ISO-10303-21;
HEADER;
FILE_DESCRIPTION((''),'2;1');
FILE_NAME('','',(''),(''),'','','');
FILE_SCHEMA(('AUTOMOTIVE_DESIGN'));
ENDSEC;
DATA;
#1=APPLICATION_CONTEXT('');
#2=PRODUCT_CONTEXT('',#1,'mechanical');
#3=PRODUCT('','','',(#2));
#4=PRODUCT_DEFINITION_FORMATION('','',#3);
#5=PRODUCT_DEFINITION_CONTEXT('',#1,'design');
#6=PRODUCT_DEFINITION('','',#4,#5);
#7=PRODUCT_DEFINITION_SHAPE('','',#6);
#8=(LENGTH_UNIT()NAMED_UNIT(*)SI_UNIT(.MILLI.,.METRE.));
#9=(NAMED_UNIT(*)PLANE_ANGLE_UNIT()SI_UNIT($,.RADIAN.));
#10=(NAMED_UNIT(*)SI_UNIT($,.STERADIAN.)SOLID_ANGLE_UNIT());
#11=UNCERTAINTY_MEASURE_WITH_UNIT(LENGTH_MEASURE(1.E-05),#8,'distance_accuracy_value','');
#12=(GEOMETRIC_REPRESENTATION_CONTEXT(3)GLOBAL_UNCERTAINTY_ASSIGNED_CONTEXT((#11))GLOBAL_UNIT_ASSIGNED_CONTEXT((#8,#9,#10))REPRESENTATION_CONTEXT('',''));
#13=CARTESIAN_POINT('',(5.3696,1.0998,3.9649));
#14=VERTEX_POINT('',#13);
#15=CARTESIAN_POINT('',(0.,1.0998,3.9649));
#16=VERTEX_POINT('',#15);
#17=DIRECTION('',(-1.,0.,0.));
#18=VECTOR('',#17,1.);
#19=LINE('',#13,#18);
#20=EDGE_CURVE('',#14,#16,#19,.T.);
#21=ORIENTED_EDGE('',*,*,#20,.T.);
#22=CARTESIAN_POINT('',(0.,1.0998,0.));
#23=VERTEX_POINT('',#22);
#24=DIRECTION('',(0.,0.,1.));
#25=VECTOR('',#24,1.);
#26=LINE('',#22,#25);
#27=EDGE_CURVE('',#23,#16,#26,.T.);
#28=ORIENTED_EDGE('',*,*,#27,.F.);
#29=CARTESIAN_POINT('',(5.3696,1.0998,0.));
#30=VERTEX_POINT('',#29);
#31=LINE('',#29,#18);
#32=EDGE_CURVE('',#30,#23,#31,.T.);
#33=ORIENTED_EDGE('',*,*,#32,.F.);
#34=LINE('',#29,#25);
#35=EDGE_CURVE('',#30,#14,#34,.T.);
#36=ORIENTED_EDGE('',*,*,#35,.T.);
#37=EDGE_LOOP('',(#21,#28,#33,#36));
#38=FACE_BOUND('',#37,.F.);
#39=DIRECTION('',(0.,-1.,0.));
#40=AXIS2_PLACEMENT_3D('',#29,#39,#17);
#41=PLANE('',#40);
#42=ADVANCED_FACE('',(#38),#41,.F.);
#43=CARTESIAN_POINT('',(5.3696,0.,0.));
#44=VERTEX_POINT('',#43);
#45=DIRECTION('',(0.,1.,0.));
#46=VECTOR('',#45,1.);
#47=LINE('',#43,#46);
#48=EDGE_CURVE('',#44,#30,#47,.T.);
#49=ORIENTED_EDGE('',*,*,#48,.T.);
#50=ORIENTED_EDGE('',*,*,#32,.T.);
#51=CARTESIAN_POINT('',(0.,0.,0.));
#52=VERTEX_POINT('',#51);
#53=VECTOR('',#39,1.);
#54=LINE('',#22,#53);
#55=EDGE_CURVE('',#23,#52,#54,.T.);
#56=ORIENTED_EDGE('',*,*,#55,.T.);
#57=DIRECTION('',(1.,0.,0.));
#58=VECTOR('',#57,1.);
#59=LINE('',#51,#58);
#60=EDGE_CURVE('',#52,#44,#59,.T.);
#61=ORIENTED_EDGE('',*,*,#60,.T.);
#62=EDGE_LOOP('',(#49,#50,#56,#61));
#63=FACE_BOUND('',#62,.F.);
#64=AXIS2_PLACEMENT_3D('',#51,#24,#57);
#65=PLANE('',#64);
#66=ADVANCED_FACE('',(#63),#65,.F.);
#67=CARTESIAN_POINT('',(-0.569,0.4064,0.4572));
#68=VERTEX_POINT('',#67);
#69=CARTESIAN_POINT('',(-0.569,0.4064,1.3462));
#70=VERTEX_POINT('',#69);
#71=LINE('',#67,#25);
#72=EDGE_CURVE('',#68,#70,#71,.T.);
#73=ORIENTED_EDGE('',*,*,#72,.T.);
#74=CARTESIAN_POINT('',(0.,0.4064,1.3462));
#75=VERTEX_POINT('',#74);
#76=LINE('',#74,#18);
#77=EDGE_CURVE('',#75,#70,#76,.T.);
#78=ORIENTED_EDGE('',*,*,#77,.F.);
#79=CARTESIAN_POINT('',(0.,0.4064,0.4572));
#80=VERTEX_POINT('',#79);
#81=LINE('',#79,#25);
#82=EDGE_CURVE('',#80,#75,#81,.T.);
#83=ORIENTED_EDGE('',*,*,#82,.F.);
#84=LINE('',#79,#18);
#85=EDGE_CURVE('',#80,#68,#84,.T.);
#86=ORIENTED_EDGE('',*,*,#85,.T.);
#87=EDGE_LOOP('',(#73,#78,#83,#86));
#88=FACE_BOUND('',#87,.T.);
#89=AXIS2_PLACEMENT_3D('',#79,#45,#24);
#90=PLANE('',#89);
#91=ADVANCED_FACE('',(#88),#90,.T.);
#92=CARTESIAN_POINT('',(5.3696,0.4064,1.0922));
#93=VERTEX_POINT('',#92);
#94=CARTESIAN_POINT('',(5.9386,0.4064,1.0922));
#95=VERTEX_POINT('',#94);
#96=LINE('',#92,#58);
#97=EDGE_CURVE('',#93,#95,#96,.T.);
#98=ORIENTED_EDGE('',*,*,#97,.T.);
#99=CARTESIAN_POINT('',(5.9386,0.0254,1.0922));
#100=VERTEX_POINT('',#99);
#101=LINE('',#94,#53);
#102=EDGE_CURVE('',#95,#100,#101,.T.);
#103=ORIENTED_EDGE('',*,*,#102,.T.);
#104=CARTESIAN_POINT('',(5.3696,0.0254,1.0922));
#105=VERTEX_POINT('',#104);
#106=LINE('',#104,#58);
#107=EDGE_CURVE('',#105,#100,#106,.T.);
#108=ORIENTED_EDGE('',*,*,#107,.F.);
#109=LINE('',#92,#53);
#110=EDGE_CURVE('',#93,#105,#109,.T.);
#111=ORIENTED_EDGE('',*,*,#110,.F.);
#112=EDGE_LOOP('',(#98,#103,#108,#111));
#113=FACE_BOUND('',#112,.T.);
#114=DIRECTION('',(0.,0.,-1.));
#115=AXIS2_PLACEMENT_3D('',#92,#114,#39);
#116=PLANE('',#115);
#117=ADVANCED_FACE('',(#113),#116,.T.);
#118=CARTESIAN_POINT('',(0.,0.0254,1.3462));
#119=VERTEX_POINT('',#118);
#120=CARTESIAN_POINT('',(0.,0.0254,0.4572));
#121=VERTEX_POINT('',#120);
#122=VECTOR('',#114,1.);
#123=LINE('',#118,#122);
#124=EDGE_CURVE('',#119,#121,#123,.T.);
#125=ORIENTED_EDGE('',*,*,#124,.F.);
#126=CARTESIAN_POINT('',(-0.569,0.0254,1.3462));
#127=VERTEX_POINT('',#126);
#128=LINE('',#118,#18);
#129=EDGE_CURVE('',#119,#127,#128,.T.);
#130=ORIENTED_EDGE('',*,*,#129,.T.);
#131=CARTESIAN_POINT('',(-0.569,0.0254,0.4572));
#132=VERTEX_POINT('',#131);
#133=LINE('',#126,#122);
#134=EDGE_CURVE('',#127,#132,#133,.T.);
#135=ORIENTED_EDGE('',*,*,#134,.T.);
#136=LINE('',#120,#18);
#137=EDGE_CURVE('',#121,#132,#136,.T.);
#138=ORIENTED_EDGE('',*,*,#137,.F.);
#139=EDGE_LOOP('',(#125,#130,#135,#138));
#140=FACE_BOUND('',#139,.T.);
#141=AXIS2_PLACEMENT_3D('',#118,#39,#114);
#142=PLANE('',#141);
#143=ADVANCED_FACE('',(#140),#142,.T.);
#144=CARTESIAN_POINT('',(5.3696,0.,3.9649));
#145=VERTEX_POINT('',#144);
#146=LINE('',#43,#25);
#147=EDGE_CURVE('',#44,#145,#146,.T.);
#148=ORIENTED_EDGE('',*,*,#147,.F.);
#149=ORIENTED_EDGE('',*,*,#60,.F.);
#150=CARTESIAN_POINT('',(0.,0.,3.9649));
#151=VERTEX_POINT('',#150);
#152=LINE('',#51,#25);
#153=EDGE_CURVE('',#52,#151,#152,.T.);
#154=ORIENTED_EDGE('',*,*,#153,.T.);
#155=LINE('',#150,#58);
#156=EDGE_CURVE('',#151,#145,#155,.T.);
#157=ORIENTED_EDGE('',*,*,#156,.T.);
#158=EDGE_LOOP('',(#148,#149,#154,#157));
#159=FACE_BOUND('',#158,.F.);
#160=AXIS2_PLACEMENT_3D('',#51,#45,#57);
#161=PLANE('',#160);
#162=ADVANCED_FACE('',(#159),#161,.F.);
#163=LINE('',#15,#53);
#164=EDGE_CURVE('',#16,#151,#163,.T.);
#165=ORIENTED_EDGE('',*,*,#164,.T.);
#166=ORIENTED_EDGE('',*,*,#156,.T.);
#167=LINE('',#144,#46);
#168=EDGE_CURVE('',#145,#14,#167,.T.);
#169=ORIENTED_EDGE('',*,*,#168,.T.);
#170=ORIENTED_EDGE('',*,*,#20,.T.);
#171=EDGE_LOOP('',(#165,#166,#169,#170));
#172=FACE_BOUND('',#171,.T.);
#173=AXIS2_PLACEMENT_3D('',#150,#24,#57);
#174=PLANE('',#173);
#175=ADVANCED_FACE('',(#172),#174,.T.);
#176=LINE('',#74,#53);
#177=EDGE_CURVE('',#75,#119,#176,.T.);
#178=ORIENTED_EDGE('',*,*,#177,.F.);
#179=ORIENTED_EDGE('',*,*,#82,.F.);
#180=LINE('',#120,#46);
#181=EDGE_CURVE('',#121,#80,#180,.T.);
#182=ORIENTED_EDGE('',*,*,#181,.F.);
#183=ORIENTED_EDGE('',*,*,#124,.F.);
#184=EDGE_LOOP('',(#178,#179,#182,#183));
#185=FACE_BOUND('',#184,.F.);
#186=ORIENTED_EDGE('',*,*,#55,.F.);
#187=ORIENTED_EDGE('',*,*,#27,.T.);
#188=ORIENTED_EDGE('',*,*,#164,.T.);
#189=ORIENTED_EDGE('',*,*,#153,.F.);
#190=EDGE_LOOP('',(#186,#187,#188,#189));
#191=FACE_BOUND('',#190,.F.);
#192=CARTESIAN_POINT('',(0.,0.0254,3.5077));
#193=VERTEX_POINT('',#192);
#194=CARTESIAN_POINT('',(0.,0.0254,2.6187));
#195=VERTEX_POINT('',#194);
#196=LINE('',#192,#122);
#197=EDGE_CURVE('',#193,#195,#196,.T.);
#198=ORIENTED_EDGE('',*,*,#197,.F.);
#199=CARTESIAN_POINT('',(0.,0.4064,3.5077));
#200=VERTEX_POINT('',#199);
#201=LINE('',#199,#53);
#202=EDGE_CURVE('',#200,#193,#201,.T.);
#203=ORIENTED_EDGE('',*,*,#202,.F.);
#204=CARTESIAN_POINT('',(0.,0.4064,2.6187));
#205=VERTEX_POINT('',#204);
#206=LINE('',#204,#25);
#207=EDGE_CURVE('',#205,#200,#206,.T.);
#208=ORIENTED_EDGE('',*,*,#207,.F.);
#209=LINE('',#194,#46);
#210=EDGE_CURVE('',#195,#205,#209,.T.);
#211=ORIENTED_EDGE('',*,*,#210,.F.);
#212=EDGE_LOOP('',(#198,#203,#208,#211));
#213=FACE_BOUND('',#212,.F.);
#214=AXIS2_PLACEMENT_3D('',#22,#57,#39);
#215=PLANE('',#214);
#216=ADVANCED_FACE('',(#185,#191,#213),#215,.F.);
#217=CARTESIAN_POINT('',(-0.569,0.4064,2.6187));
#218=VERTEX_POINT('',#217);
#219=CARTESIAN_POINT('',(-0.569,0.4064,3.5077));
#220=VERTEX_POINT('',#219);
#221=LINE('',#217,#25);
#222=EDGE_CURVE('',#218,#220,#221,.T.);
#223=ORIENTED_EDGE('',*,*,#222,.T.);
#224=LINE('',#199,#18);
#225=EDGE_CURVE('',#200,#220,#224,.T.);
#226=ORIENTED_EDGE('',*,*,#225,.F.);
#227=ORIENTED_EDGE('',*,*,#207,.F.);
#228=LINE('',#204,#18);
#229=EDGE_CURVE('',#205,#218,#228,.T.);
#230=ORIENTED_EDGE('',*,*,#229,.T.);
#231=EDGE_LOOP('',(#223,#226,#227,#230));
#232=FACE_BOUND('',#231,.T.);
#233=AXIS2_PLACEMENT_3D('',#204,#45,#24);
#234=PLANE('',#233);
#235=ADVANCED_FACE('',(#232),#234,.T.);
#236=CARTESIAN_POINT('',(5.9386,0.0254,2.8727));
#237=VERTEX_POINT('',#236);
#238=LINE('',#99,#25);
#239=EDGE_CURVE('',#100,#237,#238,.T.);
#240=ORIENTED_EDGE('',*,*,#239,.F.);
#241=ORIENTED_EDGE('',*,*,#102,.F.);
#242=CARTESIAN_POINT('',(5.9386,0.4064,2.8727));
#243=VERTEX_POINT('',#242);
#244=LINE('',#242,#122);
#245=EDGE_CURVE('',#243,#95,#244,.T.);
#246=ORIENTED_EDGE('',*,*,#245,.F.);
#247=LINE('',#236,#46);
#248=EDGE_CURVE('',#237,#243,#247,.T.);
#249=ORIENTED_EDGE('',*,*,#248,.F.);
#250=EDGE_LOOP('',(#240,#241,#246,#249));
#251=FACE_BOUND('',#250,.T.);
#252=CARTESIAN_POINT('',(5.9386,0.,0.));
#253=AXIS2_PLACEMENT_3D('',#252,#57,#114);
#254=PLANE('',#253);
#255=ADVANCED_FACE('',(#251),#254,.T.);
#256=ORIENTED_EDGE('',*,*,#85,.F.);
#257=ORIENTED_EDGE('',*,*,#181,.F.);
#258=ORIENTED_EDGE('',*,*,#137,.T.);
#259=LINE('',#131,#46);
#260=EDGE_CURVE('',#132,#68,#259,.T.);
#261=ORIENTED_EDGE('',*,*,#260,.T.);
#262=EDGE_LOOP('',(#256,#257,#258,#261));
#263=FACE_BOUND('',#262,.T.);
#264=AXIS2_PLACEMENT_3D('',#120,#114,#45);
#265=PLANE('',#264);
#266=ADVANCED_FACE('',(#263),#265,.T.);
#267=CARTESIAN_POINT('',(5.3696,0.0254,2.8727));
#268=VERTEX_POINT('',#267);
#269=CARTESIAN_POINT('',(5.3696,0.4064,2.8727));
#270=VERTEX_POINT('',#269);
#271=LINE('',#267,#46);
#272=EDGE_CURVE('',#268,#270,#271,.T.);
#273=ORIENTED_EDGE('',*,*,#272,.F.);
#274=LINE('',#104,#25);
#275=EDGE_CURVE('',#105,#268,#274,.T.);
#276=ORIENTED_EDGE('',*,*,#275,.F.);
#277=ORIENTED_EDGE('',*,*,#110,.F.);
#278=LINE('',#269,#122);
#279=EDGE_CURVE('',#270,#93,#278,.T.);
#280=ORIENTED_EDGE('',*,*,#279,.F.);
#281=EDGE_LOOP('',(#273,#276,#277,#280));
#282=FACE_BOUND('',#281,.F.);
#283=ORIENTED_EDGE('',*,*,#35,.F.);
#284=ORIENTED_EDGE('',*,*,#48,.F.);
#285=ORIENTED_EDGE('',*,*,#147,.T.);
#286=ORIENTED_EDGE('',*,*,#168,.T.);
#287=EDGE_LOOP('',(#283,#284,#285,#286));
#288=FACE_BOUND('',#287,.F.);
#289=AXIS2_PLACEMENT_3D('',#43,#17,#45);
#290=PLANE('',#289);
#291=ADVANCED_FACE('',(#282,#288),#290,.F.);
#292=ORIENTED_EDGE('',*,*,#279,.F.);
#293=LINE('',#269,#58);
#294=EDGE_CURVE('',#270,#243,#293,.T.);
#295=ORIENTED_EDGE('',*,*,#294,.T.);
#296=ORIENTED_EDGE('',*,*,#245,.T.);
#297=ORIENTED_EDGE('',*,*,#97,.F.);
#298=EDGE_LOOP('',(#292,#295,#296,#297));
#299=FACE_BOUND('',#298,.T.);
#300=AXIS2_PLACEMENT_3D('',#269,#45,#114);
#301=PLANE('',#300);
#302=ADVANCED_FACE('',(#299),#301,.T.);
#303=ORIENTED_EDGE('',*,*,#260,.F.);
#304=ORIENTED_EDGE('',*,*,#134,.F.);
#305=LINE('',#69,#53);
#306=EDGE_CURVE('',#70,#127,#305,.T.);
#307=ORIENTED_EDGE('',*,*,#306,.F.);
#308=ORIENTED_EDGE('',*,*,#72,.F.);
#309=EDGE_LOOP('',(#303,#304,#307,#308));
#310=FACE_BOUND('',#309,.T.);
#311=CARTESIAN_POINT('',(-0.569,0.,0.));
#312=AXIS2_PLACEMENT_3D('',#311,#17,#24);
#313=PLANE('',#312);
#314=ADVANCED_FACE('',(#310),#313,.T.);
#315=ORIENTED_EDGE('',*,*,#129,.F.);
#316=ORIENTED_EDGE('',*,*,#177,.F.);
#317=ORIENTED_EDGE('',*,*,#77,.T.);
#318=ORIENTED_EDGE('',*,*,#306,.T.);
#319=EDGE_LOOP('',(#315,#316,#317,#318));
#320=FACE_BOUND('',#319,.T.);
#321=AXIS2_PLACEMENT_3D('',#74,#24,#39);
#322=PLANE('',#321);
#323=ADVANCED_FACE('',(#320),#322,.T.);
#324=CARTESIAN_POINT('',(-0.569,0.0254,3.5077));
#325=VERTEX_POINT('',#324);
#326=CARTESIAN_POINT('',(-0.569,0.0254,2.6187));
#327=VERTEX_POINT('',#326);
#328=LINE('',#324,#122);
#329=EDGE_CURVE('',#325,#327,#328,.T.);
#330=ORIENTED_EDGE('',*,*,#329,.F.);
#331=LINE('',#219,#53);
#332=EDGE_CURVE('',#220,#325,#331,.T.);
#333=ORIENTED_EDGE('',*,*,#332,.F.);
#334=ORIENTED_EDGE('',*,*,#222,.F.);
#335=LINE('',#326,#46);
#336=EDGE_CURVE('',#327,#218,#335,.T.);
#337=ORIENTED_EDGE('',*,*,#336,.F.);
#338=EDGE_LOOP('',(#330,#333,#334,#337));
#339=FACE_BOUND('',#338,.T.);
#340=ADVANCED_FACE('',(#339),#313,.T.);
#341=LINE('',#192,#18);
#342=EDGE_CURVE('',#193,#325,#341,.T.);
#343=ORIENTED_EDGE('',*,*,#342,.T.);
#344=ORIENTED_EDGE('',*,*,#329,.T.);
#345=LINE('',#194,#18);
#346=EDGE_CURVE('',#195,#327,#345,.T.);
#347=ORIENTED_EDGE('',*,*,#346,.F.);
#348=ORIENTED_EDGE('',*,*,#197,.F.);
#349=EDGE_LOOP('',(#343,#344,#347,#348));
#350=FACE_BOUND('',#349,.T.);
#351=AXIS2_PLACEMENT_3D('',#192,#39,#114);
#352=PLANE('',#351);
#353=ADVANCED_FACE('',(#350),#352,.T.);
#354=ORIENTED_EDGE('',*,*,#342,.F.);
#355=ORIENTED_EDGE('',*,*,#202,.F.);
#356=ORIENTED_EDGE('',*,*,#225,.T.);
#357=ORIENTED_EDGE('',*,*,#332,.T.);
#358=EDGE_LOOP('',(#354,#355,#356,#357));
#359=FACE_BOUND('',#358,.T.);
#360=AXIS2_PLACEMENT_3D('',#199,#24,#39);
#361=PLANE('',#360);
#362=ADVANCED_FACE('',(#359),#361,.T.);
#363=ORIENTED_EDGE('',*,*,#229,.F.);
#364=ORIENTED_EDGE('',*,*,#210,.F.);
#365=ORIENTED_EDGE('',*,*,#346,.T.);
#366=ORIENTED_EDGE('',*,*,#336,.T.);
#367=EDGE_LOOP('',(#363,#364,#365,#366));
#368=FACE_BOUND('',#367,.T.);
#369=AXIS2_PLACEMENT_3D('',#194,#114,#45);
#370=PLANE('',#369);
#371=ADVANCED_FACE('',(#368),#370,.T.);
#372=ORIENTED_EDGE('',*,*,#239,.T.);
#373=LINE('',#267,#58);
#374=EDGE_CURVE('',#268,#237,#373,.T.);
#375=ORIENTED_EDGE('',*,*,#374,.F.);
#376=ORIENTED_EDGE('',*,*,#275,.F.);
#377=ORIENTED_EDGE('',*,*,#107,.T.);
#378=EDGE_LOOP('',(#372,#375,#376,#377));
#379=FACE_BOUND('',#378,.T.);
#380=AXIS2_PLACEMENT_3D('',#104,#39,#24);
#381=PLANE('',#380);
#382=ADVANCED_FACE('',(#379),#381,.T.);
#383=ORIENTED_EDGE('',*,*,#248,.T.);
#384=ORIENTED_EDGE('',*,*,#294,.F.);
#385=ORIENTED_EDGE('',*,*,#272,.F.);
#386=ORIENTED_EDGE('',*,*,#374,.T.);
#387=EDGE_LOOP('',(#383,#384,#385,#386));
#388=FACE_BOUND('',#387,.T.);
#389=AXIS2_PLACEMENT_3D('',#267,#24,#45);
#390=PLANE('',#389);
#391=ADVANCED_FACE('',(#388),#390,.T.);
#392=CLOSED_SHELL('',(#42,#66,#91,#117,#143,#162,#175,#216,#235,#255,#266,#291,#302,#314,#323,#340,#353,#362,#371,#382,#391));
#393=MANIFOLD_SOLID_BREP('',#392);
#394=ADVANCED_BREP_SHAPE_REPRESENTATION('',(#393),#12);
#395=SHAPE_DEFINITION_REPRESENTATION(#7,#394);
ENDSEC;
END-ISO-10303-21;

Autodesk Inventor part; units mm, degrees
ref_plane "YZ Plane" through (0, 0, 0) normal (1, 0, 0) x (0, 1, 0)
ref_plane "XZ Plane" through (0, 0, 0) normal (0, 1, 0) x (-1, 0, 0)
ref_plane "XY Plane" through (0, 0, 0) normal (0, 0, 1) x (1, 0, 0)
sketch "Sketch1" plane through (0, 0, 0) normal (0, 0, 1) x (1, 0, 0)
  line L0 (0, 0) -> (5.3696, 0)
  line L1 (5.3696, 0) -> (5.3696, 1.0998)
  line L2 (5.3696, 1.0998) -> (0, 1.0998)
  line L3 (0, 1.0998) -> (0, 0)
  dimension "d0" = 1.0998
  dimension "d1" = 5.3696
extrude "Extrusion1" add sketch "Sketch1" along normal blind 3.9649
sketch "Sketch2" plane through (5.3696, 0, 0) normal (1, 0, 0) x (0, 0, -1)
  line L0 (-2.8727, 0.4064) -> (-1.0922, 0.4064)
  line L1 (-1.0922, 0.4064) -> (-1.0922, 0.0254)
  line L2 (-1.0922, 0.0254) -> (-2.8727, 0.0254)
  line L3 (-2.8727, 0.0254) -> (-2.8727, 0.4064)
  line L4 (-3.9649, 0) -> (-3.9649, 1.0998) projected
  line L5 (0, 0) -> (-3.9649, 0) projected
  dimension "d4" = 1.7805
  dimension "d5" = 0.381
  dimension "d6" = 1.0922
  dimension "d7" = 0.0254
extrude "Extrusion2" add sketch "Sketch2" along normal blind 0.569
sketch "Sketch3" plane through (0, 0, 0) normal (-1, 0, 0) x (0, 0, 1)
  line L0 (0.4572, 0.4064) -> (1.3462, 0.4064)
  line L1 (1.3462, 0.4064) -> (1.3462, 0.0254)
  line L2 (1.3462, 0.0254) -> (0.4572, 0.0254)
  line L3 (0.4572, 0.0254) -> (0.4572, 0.4064)
  line L4 (2.6187, 0.4064) -> (3.5077, 0.4064)
  line L5 (3.5077, 0.4064) -> (3.5077, 0.0254)
  line L6 (3.5077, 0.0254) -> (2.6187, 0.0254)
  line L7 (2.6187, 0.0254) -> (2.6187, 0.4064)
  line L8 (0, 0) -> (3.9649, 0) projected
  line L9 (0, 1.0998) -> (0, 0) projected
  line L10 (3.9649, 1.0998) -> (3.9649, 0) projected
  dimension "d10" = 0.381
  dimension "d11" = 0.0254
  dimension "d12" = 0.889
  dimension "d13" = 0.889
  dimension "d14" = 0.4572
  dimension "d15" = 0.4572
extrude "Extrusion3" add sketch "Sketch3" along normal blind 0.569
properties part number "s20A 60V Diode"
